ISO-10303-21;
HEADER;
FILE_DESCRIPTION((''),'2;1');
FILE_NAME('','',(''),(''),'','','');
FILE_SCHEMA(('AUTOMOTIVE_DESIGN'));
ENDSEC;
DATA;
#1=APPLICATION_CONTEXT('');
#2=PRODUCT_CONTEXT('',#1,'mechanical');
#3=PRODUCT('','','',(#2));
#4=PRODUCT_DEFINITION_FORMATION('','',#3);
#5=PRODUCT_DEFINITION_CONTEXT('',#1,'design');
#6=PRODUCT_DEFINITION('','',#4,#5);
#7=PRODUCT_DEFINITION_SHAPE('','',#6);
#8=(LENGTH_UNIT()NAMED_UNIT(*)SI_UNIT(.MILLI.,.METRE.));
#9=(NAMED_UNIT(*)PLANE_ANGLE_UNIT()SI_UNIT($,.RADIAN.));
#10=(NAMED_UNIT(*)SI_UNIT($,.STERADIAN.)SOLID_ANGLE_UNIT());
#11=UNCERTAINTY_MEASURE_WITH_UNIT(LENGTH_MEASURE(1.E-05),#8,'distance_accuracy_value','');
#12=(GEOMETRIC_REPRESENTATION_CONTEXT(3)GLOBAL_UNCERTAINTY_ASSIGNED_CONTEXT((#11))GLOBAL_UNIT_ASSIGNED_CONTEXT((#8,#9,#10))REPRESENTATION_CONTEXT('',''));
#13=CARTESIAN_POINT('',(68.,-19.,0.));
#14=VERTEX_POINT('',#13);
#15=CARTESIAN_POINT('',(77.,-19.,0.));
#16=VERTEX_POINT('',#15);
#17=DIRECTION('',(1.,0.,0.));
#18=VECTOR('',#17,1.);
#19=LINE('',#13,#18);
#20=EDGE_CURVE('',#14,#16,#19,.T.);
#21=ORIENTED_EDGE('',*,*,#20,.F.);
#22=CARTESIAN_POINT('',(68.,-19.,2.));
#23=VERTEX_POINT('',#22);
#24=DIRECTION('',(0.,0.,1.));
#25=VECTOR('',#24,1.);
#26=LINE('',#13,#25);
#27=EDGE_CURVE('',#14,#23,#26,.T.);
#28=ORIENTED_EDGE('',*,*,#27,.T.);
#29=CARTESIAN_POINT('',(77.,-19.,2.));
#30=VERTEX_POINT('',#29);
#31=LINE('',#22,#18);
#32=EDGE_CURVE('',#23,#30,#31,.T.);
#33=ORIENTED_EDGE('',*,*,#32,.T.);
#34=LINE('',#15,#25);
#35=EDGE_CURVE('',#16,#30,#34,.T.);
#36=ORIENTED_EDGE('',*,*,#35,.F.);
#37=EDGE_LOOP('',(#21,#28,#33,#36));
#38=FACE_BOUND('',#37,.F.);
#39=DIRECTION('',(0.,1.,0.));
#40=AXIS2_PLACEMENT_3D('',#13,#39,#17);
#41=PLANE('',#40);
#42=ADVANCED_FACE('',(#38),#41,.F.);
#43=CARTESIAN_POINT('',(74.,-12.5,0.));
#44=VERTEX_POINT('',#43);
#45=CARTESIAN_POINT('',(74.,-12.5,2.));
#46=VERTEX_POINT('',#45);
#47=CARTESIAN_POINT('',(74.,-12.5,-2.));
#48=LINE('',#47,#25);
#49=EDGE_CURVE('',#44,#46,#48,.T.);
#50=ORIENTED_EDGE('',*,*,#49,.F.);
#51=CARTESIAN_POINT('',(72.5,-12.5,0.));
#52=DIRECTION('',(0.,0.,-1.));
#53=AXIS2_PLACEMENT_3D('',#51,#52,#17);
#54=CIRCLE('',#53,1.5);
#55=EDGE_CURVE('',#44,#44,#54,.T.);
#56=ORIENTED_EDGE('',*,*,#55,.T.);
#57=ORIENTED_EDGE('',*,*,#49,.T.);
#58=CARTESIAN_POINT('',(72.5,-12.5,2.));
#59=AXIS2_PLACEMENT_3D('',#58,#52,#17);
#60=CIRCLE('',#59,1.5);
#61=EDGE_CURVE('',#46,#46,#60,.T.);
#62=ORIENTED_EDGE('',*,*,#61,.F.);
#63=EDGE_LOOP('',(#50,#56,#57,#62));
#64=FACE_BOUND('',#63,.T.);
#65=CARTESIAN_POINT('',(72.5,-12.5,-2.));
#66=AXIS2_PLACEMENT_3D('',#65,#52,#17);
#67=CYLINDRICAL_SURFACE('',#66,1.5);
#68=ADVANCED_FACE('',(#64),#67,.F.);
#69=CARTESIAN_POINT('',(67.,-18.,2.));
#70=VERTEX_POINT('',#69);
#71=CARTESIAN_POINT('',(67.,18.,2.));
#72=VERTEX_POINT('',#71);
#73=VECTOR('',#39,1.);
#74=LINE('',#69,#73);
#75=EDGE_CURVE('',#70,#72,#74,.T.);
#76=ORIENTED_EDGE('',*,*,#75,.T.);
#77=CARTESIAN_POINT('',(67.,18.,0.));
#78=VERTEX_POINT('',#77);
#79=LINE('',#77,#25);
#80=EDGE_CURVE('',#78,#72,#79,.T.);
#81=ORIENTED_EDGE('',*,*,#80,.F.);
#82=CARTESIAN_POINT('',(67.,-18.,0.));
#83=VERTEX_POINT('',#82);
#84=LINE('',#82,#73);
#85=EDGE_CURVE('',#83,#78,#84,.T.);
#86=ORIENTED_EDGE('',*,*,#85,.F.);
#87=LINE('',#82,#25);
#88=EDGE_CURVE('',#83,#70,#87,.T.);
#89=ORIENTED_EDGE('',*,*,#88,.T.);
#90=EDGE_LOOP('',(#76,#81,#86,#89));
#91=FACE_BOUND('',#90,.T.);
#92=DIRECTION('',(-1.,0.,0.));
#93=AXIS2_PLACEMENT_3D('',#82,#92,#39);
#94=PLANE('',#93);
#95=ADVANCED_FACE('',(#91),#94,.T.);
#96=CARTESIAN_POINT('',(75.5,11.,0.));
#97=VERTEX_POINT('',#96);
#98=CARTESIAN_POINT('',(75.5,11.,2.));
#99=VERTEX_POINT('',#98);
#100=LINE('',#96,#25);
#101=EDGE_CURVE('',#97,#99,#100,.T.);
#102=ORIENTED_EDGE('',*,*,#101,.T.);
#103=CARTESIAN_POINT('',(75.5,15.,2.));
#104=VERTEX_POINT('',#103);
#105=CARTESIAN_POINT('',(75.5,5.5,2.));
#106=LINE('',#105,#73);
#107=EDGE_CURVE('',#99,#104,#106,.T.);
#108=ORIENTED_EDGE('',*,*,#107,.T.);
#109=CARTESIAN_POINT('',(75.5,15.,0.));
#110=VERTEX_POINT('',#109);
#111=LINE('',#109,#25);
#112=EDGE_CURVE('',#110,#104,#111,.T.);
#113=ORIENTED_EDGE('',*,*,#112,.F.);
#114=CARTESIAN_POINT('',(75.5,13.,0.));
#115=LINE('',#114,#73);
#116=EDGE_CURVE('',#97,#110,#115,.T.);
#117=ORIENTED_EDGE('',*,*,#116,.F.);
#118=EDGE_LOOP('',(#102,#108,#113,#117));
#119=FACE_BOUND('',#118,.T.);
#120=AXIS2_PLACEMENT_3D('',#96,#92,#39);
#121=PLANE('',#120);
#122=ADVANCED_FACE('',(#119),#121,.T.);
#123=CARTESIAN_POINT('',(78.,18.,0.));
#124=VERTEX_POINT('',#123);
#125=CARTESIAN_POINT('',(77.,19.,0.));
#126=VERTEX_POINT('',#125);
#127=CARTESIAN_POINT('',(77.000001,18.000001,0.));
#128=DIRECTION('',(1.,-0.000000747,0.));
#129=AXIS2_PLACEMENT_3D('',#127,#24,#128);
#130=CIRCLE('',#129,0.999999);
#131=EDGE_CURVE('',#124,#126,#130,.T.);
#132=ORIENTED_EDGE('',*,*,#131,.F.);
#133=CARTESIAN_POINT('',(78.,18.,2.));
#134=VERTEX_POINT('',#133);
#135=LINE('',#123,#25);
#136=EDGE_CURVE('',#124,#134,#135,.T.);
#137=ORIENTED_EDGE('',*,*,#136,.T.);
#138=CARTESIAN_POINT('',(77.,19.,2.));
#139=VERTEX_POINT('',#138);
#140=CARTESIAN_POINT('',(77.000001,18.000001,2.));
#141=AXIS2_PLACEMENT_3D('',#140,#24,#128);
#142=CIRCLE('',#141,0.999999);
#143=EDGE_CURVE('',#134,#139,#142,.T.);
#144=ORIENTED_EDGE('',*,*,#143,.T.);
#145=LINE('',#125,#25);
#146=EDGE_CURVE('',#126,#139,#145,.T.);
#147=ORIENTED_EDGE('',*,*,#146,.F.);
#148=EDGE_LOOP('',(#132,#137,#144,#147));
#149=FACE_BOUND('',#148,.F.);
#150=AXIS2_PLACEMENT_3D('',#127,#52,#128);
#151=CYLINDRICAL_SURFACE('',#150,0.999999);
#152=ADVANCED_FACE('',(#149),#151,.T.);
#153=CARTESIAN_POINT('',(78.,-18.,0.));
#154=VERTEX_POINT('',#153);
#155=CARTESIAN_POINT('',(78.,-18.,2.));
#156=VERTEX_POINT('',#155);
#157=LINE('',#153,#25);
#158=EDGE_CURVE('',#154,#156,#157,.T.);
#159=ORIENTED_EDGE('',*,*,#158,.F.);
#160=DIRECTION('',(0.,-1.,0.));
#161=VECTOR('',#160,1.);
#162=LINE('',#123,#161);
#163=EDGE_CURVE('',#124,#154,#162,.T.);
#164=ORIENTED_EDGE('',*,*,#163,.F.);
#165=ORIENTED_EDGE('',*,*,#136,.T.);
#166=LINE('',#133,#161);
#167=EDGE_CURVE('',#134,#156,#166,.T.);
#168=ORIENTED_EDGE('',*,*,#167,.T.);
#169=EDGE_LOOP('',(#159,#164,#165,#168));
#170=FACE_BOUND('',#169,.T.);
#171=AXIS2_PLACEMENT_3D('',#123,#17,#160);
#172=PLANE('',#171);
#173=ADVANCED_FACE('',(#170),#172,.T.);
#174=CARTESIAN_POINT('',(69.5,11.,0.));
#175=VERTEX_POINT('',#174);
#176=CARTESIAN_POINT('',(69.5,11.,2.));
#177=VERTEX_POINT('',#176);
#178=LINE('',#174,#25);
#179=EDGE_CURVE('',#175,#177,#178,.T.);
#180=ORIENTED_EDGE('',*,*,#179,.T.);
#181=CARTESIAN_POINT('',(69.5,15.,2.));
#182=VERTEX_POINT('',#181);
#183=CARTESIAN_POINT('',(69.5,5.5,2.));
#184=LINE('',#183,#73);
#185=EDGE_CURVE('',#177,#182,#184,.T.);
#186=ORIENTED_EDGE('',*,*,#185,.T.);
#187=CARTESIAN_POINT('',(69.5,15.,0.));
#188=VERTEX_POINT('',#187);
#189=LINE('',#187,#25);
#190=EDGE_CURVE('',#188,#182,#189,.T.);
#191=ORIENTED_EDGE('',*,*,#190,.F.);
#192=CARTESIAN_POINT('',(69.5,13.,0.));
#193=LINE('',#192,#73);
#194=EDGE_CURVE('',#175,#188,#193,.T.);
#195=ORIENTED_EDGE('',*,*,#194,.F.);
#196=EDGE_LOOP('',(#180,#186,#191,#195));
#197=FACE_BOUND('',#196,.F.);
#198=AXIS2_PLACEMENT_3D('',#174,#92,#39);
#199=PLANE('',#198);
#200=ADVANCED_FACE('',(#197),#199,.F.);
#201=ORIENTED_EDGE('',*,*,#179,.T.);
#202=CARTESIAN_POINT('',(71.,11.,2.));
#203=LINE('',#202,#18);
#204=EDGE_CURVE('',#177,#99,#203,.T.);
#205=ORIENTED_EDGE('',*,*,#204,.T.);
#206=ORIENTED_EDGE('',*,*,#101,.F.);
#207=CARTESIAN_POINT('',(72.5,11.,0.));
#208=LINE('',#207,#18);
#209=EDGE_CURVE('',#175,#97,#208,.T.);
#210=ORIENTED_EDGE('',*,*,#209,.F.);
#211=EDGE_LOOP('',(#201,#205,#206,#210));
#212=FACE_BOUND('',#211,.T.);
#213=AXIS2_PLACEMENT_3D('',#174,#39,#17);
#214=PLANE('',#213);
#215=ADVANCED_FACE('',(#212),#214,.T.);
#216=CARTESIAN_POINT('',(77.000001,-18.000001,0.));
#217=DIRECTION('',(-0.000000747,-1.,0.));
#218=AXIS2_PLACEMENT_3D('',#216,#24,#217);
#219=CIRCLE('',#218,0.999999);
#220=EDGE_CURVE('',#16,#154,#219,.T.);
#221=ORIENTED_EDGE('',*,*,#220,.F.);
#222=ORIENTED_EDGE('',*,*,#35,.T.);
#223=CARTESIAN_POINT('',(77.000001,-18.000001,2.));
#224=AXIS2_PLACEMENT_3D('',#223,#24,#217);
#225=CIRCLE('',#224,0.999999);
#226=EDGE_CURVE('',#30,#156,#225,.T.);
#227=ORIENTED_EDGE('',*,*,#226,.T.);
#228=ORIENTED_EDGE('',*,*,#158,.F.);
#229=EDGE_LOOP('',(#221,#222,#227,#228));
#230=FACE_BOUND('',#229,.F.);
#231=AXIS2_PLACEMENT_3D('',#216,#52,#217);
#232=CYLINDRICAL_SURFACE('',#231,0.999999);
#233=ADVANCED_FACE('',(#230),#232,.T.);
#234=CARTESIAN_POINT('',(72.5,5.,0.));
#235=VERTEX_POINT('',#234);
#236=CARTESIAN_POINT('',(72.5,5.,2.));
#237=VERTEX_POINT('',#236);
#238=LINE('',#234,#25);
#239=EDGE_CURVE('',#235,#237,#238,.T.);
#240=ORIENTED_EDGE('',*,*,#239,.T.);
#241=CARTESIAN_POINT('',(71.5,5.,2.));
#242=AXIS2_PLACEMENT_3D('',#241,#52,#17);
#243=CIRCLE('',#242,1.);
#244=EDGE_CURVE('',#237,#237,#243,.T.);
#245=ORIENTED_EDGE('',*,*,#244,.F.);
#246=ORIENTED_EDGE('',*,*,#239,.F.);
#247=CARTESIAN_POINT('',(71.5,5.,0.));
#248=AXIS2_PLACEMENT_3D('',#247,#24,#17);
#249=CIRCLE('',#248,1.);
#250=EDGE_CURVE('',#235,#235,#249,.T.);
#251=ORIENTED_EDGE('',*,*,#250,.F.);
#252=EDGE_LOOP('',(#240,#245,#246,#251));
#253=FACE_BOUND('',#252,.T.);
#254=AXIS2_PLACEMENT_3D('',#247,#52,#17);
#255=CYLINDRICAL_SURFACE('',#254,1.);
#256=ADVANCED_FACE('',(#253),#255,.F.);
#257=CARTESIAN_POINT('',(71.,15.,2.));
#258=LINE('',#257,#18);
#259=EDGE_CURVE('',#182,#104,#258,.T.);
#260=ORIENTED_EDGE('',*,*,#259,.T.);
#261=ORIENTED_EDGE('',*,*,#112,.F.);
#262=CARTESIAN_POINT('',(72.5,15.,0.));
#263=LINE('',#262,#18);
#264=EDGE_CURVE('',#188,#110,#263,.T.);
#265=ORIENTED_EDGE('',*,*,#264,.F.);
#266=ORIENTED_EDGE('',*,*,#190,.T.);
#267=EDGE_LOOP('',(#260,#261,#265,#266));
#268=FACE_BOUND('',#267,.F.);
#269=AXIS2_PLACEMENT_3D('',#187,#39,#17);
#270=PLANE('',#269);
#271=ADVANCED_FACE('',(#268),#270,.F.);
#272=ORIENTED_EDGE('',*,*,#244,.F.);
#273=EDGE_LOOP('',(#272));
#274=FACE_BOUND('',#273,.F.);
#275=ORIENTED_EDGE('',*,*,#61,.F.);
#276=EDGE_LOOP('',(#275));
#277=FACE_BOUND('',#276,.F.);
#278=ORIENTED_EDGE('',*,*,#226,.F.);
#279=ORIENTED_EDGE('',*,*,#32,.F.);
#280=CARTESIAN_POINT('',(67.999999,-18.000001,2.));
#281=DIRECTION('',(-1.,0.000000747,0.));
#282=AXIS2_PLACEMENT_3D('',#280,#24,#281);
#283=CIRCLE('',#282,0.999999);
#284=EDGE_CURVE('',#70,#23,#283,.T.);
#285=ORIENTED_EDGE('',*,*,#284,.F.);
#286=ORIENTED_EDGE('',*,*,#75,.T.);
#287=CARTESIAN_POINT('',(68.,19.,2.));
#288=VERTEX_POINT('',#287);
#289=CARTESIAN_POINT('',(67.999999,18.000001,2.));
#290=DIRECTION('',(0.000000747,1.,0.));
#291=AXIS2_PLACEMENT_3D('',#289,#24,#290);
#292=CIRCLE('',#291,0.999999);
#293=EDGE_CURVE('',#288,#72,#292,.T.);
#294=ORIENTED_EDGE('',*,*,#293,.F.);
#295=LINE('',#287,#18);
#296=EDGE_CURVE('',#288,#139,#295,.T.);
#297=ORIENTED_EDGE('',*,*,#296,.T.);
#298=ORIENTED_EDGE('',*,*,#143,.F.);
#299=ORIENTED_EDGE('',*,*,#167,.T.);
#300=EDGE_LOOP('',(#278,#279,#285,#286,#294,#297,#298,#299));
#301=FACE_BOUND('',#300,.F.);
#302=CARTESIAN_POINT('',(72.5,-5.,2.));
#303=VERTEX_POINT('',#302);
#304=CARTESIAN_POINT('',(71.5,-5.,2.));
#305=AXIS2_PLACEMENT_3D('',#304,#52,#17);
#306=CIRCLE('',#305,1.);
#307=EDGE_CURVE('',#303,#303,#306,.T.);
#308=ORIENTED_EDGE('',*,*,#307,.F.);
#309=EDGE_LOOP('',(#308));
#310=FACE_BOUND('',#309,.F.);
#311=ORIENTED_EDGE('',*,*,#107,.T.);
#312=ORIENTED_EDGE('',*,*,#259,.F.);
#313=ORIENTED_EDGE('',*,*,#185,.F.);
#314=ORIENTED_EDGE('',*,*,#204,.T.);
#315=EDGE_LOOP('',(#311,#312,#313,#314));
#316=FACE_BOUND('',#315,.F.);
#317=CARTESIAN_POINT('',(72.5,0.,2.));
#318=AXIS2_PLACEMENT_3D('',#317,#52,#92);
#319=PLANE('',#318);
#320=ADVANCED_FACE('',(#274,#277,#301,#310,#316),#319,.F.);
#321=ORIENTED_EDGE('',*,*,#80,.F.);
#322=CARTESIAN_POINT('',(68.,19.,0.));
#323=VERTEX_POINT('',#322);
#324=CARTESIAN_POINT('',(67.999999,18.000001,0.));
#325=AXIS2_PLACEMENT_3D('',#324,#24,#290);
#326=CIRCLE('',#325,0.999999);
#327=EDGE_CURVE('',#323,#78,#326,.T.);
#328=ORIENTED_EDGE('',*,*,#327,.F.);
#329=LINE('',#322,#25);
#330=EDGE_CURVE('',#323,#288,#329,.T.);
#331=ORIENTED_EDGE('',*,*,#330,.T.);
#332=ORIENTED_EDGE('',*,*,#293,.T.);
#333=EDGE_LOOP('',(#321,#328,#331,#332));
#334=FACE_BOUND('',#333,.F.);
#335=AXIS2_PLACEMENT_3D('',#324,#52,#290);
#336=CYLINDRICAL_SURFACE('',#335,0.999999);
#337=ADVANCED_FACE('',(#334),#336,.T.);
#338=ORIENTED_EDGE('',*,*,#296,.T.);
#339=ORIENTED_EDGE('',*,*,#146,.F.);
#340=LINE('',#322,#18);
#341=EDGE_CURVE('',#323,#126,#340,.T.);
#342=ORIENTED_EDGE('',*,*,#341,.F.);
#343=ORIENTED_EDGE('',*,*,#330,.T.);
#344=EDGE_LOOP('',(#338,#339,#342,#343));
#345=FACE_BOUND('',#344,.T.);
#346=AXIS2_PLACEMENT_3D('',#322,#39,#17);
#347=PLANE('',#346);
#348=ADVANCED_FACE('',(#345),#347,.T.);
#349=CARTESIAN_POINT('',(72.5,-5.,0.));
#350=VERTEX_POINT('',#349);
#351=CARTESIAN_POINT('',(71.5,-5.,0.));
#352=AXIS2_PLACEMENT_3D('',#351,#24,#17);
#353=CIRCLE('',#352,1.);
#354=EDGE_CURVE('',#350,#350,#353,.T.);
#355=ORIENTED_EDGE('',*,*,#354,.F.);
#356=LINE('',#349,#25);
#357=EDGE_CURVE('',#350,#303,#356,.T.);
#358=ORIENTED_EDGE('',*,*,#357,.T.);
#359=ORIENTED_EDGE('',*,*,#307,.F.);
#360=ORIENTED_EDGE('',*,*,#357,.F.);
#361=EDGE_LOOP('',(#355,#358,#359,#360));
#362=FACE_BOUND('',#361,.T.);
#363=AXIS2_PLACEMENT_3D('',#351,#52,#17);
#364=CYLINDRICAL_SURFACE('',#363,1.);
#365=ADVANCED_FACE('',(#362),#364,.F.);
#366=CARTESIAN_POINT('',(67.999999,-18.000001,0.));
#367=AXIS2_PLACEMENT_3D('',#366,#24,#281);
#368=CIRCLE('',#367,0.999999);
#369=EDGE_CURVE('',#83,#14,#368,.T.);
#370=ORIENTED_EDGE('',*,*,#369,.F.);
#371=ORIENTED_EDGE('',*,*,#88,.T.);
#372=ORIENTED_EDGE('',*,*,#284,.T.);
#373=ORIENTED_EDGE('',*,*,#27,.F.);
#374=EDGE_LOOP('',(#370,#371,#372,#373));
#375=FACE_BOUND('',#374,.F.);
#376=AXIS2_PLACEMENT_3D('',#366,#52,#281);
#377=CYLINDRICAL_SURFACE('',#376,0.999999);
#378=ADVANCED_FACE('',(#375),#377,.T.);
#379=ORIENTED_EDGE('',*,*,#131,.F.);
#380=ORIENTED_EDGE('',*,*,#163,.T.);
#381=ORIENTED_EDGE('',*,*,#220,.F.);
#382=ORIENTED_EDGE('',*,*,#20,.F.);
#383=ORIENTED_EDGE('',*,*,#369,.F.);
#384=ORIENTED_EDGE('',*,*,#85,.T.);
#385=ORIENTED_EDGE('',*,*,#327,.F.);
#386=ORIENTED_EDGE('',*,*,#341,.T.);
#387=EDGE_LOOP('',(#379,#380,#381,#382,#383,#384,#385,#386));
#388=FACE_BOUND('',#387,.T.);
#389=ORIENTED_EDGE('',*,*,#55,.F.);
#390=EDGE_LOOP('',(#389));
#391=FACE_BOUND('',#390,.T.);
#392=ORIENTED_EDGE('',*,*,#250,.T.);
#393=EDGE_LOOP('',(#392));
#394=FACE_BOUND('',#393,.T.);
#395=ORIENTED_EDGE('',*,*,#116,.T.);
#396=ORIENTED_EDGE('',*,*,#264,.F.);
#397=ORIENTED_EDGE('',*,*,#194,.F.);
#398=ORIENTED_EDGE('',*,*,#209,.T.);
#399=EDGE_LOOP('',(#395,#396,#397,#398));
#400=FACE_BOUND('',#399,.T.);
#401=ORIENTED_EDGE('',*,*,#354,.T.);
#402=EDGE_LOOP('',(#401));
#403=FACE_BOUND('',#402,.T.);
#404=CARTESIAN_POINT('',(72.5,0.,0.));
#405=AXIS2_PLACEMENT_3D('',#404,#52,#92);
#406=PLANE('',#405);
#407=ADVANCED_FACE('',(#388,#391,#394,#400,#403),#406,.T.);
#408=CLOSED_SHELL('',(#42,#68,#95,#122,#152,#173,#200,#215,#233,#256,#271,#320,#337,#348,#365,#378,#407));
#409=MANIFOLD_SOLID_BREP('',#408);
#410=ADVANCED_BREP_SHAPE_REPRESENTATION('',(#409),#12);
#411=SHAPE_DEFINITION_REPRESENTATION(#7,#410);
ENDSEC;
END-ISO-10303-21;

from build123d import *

# Parameters (mm, degrees)
SKETCH324_R      = 1.5
EXTRUDE192_DEPTH = 10
SKETCH321_W      = 6
SKETCH321_H      = 4
EXTRUDE189_DEPTH = 3
SKETCH319_R      = 1
EXTRUDE187_DEPTH = 5
EXTRUDE188_DEPTH = 2


with BuildPart() as extrude192:
    # Sketch324 → Extrude192 (new body)
    with BuildSketch(Plane.XY.offset(-2)):
        with Locations((72.5, -12.5)):
            Circle(SKETCH324_R)
    extrude(amount=EXTRUDE192_DEPTH)


with BuildPart() as extrude189:
    # Sketch321 → Extrude189 (new body)
    with BuildSketch(Plane.XY.offset(3)):
        with Locations((72.5, 13)):
            Rectangle(SKETCH321_W, SKETCH321_H)
    extrude(amount=EXTRUDE189_DEPTH)


with BuildPart() as extrude187:
    # Sketch319 → Extrude187 (new body)
    with BuildSketch(Plane.XY.offset(3)):
        with Locations((71.5, 5)):
            Circle(SKETCH319_R)
        with Locations((71.5, -5)):
            Circle(SKETCH319_R)
    extrude(amount=EXTRUDE187_DEPTH)


with BuildPart() as frontsensoricsrig:
    # Sketch318 → Extrude188 (new body)
    with BuildSketch(Plane.XY.offset(3)):
        with BuildLine():
            Line((67, -18), (67, 18))
            ThreePointArc((68, 19), (67.292893, 18.707107), (67, 18))
            Line((68, 19), (77, 19))
            ThreePointArc((78, 18), (77.707107, 18.707107), (77, 19))
            Line((78, 18), (78, -18))
            ThreePointArc((77, -19), (77.707107, -18.707107), (78, -18))
            Line((68, -19), (77, -19))
            ThreePointArc((67, -18), (67.292893, -18.707107), (68, -19))
        make_face()
    extrude(amount=EXTRUDE188_DEPTH)

    # Cut098: cut Extrude187
    add(extrude187.part, mode=Mode.SUBTRACT)

    # Cut099: cut Extrude189
    add(extrude189.part, mode=Mode.SUBTRACT)


with BuildPart() as frontsensoricsrig_1:
    # Cut099 placement: moved
    add(frontsensoricsrig.part.moved(Location((0, 0, -3))))

    # Cut102: cut Extrude192
    add(extrude192.part, mode=Mode.SUBTRACT)


solid = frontsensoricsrig_1.part
